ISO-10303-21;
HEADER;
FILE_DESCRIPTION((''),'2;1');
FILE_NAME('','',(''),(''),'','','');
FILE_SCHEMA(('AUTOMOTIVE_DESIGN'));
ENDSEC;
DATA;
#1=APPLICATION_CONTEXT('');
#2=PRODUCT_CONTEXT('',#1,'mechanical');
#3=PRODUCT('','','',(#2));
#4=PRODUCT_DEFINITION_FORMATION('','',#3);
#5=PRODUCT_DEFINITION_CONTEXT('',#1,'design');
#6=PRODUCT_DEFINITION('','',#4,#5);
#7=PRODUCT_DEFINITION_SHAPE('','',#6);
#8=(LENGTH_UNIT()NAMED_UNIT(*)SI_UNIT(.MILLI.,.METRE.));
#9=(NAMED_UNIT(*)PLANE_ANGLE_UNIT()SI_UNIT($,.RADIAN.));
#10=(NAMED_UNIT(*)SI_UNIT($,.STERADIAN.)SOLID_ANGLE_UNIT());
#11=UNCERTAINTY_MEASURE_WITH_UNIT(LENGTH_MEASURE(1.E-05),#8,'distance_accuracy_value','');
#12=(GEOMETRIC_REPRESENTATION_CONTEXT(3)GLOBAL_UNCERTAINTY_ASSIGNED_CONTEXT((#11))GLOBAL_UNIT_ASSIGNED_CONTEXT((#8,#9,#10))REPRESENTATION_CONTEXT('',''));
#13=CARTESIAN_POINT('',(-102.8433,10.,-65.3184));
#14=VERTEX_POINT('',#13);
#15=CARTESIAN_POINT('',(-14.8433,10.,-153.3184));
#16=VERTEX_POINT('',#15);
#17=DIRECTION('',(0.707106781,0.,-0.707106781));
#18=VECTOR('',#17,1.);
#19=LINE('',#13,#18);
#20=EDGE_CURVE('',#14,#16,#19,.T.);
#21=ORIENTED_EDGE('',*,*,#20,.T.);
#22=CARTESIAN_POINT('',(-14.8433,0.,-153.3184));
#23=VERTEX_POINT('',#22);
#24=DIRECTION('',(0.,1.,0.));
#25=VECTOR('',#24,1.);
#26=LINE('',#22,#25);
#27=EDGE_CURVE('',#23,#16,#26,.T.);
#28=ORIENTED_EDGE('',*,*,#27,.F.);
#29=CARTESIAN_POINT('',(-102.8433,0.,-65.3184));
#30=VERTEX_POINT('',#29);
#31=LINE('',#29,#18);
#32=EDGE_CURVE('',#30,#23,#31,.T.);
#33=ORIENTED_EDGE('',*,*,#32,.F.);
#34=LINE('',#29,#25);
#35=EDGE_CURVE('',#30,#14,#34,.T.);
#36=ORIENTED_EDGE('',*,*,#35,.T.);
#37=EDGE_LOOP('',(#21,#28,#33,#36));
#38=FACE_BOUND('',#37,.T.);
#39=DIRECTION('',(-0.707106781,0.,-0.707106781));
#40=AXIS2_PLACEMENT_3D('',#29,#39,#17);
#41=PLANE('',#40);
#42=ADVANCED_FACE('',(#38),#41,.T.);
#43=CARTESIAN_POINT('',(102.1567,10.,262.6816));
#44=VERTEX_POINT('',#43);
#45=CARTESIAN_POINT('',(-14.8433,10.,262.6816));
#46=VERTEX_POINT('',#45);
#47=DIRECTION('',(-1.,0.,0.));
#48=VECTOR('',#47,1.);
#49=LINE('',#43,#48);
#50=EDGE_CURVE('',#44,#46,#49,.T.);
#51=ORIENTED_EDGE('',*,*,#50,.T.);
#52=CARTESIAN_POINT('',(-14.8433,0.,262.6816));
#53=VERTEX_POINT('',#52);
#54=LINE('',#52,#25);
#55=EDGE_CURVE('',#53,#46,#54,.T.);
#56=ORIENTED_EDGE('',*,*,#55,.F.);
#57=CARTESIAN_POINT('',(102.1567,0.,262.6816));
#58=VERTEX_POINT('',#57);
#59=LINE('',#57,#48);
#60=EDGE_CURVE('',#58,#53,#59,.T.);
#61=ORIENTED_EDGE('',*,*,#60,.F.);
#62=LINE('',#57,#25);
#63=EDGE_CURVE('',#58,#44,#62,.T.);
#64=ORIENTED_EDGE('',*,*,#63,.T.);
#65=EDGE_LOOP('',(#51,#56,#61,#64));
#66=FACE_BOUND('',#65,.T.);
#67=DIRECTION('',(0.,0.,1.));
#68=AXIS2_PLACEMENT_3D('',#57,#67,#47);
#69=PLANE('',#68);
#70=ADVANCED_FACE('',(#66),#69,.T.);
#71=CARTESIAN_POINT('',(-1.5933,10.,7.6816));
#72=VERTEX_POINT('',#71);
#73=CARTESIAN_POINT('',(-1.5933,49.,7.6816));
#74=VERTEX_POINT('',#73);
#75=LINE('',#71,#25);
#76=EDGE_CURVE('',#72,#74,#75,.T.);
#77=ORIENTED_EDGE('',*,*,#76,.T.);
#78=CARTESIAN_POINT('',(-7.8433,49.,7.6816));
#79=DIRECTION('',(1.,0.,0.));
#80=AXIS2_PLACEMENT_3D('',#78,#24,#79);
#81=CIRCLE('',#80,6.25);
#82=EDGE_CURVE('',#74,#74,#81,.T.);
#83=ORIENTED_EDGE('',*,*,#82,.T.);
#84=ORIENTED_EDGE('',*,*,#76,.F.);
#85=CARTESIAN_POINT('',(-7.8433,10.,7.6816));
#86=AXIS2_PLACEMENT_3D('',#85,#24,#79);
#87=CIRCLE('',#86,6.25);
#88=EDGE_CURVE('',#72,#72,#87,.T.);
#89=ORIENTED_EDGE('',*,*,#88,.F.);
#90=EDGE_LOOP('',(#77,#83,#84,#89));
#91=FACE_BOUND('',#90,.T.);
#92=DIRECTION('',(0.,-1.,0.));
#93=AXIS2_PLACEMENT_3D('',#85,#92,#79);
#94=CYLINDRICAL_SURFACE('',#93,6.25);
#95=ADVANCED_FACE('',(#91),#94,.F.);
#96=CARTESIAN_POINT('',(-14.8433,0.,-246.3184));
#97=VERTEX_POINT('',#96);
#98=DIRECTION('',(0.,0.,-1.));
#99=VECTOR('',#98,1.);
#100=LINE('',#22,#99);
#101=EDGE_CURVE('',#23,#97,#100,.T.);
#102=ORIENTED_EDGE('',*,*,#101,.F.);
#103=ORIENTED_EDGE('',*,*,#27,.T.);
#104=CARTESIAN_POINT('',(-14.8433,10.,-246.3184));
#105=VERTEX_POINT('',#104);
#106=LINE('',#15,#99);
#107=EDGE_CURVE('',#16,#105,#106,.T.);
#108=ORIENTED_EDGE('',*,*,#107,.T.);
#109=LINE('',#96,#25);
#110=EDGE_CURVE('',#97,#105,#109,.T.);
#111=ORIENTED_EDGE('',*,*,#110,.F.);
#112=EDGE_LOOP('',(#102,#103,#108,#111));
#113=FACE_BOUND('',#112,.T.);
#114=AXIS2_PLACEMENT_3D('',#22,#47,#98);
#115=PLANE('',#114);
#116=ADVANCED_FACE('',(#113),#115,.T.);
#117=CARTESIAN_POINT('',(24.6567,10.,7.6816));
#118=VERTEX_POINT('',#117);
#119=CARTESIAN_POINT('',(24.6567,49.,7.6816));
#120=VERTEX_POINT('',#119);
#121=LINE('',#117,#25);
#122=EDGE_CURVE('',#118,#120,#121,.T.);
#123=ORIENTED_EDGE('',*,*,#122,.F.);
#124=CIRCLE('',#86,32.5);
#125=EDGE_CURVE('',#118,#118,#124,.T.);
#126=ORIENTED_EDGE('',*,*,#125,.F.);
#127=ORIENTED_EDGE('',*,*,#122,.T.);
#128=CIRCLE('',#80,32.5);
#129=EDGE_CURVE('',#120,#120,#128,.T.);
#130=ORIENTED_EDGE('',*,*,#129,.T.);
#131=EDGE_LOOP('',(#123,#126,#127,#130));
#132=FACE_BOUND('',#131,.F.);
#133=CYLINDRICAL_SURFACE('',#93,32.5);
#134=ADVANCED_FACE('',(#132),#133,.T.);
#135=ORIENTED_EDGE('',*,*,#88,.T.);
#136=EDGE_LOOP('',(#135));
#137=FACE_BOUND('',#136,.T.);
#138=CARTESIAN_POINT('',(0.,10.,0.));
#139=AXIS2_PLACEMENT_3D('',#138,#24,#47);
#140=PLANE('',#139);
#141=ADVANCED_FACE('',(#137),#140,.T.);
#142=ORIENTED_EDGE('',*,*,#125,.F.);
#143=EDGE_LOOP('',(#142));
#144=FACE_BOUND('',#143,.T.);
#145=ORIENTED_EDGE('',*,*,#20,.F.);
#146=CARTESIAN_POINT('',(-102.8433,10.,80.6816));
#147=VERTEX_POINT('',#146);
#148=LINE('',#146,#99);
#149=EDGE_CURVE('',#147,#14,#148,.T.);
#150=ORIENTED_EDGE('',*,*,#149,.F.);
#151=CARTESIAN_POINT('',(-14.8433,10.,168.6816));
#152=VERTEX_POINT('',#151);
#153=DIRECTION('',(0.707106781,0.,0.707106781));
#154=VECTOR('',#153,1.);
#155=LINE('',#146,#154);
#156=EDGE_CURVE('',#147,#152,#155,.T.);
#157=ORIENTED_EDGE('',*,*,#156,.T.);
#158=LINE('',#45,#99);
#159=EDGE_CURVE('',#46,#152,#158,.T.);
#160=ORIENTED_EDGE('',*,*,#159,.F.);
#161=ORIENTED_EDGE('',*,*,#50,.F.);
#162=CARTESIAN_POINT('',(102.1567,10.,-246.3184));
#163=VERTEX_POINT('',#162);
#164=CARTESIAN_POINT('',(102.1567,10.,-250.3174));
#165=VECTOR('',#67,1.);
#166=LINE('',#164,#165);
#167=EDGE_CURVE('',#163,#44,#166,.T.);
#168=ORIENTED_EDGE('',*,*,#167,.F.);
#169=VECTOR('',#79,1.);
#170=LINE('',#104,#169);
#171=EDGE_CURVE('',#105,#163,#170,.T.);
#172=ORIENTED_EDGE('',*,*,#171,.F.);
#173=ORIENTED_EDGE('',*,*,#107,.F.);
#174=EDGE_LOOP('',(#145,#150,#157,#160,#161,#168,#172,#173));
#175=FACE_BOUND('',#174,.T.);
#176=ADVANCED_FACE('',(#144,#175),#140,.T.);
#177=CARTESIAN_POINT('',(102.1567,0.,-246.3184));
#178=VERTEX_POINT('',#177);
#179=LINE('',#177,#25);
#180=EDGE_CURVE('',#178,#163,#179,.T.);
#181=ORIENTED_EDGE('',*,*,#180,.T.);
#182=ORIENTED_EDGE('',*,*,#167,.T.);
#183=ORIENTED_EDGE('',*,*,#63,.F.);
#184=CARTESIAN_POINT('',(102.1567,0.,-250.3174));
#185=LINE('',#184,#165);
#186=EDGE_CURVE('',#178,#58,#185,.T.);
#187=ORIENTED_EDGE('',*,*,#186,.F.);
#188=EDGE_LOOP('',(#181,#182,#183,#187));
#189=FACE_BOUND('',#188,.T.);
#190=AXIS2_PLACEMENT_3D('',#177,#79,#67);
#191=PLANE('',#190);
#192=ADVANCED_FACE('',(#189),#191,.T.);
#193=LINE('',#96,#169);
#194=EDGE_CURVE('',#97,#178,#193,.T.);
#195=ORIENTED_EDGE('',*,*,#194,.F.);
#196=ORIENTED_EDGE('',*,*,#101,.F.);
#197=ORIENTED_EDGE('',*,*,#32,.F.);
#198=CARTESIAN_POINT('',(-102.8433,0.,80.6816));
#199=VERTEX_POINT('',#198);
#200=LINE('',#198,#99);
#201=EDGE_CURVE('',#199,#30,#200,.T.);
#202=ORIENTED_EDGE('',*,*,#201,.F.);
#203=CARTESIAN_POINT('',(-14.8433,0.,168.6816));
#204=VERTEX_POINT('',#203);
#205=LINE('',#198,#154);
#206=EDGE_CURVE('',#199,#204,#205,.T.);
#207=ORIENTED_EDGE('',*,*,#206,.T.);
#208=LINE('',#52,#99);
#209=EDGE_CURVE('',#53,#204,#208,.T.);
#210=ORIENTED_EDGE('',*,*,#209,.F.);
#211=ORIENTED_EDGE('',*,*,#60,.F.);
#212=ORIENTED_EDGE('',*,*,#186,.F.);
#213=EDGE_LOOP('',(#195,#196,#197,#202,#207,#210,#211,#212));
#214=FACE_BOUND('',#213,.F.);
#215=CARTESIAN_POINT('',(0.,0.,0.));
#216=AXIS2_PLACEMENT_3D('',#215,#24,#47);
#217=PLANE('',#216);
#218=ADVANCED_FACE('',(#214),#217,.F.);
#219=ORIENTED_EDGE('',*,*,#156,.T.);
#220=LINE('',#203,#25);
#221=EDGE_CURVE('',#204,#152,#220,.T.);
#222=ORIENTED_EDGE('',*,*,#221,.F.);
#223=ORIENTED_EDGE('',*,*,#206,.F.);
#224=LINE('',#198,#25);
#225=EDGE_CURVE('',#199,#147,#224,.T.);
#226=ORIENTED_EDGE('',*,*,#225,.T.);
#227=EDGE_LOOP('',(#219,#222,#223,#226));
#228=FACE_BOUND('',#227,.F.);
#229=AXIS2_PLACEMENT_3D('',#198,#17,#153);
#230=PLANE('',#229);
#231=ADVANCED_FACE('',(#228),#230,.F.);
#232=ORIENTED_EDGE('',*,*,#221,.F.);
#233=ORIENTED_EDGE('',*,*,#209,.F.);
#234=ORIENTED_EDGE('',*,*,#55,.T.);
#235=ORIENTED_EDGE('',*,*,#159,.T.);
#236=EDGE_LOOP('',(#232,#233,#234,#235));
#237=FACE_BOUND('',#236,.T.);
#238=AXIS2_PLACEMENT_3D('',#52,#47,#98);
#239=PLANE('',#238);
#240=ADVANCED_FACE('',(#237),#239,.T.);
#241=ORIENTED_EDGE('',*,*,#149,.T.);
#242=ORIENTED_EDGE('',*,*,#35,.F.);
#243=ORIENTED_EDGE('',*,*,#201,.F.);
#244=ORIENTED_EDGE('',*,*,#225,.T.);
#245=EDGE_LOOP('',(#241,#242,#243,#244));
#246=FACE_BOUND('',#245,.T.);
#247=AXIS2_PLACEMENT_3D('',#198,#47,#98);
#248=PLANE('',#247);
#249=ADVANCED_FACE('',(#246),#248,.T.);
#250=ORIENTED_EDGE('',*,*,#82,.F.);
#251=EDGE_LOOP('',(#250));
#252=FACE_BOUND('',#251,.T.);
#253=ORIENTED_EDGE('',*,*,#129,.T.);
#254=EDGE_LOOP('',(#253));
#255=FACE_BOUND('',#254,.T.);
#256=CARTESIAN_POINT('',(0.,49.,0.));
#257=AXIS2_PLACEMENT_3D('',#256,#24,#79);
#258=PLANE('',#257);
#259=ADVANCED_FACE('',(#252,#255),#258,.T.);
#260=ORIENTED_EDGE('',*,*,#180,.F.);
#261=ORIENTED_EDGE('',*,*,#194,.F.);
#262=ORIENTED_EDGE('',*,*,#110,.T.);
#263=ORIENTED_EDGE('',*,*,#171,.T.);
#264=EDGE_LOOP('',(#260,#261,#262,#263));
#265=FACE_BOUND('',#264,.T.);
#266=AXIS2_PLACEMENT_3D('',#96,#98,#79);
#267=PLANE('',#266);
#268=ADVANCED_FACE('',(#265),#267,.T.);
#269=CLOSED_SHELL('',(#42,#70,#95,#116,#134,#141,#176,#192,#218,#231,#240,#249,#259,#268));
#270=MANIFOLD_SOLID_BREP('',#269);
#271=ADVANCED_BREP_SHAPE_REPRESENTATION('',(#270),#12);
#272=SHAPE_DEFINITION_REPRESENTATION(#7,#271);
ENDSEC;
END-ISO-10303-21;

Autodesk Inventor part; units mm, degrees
ref_plane "YZ Plane" through (0, 0, 0) normal (1, 0, 0) x (0, 1, 0)
ref_plane "XZ Plane" through (0, 0, 0) normal (0, 1, 0) x (-1, 0, 0)
ref_plane "XY Plane" through (0, 0, 0) normal (0, 0, 1) x (1, 0, 0)
sketch "Sketch1" plane through (0, 0, 0) normal (0, 1, 0) x (-1, 0, 0)
  line L0 (-102.1567, -250.3174) -> (-102.1567, 267.6805)
  line L1 (-102.1567, -246.3184) -> (-102.1567, 262.6816)
  line L2 (-102.1567, 262.6816) -> (14.8433, 262.6816)
  line L3 (102.8433, 80.6816) -> (14.8433, 168.6816)
  line L4 (14.8433, 262.6816) -> (14.8433, 168.6816)
  line L5 (14.8433, 168.6816) -> (102.8433, 80.6816)
  line L6 (102.8433, 80.6816) -> (102.8433, -65.3184)
  line L7 (102.8433, -65.3184) -> (14.8433, -153.3184)
  line L8 (14.8433, -153.3184) -> (14.8433, -246.3184)
  line L9 (14.8433, -246.3184) -> (-102.1567, -246.3184)
  point P0 (0, 0)
  point P1 (-37.1567, -11.3184)
  dimension "d0" = 509
  dimension "d1" = 117
  dimension "d2" = 117
  dimension "d3" = 93
  dimension "d4" = 94
  dimension "d6" = 88
  dimension "d7" = 88
  dimension "d8" = 88
  dimension "d9" = 88
extrude "Extrusion1" add sketch "Sketch1" along normal blind 10
sketch "Sketch2" plane through (0, 10, 0) normal (0, 1, 0) x (1, 0, 0)
  line L0 (-102.8433, 65.3184) -> (-102.8433, -80.6816) projected
  circle A0 centre (-102.8433, -7.6816) radius 9.3184
  circle A1 centre (-7.8433, -7.6816) radius 32.5
  circle A2 centre (-7.8433, -7.6816) radius 6.25
  line L1 (102.1567, -262.6816) -> (102.1567, 246.3184) projected
  line L2 (102.1567, 246.3184) -> (-14.8433, 246.3184) projected
  point P0 (0, 0)
  dimension "d14" = 95
  dimension "d16" = 254
  dimension "d17" = 110
  dimension "d18" = 65
  dimension "d19" = 12.5
extrude "Extrusion2" add sketch "Sketch2" along normal blind 39 contours A1
properties part number "XAxisCreplCaretki" material "Aluminum 6061"
